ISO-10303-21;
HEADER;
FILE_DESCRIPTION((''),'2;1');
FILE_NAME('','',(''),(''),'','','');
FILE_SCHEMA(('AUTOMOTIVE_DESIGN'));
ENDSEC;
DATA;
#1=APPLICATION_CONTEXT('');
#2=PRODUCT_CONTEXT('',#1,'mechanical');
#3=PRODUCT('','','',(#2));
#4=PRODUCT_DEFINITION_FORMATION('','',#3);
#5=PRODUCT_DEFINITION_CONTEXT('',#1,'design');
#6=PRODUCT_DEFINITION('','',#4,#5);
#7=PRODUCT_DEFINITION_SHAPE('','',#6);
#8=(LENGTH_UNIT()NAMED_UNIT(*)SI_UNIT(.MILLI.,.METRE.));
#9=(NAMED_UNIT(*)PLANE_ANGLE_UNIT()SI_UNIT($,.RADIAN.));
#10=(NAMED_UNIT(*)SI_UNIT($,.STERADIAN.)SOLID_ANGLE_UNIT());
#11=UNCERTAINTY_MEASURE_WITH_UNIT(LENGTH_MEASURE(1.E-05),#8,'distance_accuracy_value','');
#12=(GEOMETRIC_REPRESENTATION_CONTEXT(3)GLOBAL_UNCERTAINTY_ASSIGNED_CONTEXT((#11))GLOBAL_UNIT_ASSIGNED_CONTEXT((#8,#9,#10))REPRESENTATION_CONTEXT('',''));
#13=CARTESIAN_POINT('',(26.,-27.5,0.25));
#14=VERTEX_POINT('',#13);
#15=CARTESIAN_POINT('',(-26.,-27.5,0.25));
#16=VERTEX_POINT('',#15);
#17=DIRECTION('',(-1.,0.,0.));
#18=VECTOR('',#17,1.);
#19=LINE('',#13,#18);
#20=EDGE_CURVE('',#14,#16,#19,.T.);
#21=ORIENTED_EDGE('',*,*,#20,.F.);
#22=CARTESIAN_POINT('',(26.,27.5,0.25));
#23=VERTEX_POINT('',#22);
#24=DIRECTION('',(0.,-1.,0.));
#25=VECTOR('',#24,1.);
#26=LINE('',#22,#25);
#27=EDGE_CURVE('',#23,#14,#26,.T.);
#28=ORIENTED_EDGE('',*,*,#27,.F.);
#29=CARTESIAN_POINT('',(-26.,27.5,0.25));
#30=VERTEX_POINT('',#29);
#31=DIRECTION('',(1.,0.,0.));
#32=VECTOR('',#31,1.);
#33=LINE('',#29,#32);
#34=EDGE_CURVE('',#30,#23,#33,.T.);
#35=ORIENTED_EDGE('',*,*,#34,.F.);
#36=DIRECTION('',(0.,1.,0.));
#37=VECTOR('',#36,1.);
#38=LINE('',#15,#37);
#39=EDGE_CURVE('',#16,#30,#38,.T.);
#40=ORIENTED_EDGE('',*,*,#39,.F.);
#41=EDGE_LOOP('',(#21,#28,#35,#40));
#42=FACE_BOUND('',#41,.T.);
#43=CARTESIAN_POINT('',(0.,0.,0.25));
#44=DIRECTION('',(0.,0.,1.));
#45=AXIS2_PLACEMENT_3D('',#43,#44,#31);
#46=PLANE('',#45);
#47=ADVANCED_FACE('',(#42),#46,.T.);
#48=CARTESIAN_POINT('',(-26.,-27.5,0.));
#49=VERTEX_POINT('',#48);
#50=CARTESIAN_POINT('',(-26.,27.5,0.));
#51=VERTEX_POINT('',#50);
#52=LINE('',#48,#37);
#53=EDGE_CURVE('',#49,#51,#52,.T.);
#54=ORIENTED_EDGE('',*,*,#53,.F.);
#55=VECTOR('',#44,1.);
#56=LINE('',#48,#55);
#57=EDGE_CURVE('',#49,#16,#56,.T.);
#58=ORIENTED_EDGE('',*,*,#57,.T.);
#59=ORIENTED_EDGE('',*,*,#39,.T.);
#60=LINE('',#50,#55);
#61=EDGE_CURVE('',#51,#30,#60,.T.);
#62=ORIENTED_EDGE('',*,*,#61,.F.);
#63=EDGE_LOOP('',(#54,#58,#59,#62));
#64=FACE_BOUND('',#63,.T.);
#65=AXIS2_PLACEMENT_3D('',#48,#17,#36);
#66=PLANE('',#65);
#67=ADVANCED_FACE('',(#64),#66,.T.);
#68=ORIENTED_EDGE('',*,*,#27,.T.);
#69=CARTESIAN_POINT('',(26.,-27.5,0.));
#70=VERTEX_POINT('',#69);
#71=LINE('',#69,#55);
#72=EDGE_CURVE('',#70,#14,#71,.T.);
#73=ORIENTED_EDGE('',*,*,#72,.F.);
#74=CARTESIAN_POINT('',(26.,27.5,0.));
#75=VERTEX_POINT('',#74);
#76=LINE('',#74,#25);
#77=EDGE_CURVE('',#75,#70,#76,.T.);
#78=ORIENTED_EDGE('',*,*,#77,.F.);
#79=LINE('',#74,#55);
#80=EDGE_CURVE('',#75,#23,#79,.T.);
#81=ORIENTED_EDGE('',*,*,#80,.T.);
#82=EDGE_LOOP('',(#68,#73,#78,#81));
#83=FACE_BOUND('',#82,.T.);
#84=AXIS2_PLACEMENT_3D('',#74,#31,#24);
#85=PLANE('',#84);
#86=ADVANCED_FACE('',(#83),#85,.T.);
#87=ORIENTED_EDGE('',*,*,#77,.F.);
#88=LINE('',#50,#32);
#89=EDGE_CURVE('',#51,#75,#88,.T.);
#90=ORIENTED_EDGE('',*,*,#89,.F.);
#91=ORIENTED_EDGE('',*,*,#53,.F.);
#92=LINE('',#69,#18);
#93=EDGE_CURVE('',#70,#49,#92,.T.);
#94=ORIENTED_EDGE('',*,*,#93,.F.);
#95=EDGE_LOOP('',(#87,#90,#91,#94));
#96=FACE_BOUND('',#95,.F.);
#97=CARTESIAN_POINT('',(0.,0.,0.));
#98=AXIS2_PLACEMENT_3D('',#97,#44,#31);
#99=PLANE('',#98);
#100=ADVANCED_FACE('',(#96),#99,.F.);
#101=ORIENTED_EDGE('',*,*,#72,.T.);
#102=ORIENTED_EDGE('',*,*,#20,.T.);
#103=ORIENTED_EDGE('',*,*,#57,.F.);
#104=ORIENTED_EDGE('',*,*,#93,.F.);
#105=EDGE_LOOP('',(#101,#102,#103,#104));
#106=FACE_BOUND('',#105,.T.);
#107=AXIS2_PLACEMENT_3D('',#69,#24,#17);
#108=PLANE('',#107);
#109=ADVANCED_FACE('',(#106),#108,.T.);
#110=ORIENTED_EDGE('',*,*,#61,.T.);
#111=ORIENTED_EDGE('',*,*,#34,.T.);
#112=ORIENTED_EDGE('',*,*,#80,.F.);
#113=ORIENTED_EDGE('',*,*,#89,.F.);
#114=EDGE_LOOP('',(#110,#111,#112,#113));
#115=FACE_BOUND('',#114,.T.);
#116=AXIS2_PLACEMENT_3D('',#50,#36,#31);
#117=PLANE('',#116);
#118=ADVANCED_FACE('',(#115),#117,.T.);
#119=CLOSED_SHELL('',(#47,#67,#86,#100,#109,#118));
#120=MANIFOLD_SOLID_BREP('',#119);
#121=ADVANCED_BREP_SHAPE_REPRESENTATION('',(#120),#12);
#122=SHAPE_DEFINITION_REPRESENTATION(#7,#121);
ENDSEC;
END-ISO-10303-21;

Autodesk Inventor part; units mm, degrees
ref_plane "YZ Plane" through (0, 0, 0) normal (1, 0, 0) x (0, 1, 0)
ref_plane "XZ Plane" through (0, 0, 0) normal (0, 1, 0) x (-1, 0, 0)
ref_plane "XY Plane" through (0, 0, 0) normal (0, 0, 1) x (1, 0, 0)
sketch "Sketch1" plane through (0, 0, 0) normal (0, 0, 1) x (1, 0, 0)
  line L0 (-26, 27.5) -> (26, 27.5)
  line L1 (26, 27.5) -> (26, -27.5)
  line L2 (26, -27.5) -> (-26, -27.5)
  line L3 (-26, -27.5) -> (-26, 27.5)
  point P0 (0, 0)
  point P1 (0, 27.5)
  point P2 (26, 0)
  dimension "d0" = 52
  dimension "d1" = 55
extrude "Extrusion1" add sketch "Sketch1" along normal blind 0.25
properties part number "Flat52"
